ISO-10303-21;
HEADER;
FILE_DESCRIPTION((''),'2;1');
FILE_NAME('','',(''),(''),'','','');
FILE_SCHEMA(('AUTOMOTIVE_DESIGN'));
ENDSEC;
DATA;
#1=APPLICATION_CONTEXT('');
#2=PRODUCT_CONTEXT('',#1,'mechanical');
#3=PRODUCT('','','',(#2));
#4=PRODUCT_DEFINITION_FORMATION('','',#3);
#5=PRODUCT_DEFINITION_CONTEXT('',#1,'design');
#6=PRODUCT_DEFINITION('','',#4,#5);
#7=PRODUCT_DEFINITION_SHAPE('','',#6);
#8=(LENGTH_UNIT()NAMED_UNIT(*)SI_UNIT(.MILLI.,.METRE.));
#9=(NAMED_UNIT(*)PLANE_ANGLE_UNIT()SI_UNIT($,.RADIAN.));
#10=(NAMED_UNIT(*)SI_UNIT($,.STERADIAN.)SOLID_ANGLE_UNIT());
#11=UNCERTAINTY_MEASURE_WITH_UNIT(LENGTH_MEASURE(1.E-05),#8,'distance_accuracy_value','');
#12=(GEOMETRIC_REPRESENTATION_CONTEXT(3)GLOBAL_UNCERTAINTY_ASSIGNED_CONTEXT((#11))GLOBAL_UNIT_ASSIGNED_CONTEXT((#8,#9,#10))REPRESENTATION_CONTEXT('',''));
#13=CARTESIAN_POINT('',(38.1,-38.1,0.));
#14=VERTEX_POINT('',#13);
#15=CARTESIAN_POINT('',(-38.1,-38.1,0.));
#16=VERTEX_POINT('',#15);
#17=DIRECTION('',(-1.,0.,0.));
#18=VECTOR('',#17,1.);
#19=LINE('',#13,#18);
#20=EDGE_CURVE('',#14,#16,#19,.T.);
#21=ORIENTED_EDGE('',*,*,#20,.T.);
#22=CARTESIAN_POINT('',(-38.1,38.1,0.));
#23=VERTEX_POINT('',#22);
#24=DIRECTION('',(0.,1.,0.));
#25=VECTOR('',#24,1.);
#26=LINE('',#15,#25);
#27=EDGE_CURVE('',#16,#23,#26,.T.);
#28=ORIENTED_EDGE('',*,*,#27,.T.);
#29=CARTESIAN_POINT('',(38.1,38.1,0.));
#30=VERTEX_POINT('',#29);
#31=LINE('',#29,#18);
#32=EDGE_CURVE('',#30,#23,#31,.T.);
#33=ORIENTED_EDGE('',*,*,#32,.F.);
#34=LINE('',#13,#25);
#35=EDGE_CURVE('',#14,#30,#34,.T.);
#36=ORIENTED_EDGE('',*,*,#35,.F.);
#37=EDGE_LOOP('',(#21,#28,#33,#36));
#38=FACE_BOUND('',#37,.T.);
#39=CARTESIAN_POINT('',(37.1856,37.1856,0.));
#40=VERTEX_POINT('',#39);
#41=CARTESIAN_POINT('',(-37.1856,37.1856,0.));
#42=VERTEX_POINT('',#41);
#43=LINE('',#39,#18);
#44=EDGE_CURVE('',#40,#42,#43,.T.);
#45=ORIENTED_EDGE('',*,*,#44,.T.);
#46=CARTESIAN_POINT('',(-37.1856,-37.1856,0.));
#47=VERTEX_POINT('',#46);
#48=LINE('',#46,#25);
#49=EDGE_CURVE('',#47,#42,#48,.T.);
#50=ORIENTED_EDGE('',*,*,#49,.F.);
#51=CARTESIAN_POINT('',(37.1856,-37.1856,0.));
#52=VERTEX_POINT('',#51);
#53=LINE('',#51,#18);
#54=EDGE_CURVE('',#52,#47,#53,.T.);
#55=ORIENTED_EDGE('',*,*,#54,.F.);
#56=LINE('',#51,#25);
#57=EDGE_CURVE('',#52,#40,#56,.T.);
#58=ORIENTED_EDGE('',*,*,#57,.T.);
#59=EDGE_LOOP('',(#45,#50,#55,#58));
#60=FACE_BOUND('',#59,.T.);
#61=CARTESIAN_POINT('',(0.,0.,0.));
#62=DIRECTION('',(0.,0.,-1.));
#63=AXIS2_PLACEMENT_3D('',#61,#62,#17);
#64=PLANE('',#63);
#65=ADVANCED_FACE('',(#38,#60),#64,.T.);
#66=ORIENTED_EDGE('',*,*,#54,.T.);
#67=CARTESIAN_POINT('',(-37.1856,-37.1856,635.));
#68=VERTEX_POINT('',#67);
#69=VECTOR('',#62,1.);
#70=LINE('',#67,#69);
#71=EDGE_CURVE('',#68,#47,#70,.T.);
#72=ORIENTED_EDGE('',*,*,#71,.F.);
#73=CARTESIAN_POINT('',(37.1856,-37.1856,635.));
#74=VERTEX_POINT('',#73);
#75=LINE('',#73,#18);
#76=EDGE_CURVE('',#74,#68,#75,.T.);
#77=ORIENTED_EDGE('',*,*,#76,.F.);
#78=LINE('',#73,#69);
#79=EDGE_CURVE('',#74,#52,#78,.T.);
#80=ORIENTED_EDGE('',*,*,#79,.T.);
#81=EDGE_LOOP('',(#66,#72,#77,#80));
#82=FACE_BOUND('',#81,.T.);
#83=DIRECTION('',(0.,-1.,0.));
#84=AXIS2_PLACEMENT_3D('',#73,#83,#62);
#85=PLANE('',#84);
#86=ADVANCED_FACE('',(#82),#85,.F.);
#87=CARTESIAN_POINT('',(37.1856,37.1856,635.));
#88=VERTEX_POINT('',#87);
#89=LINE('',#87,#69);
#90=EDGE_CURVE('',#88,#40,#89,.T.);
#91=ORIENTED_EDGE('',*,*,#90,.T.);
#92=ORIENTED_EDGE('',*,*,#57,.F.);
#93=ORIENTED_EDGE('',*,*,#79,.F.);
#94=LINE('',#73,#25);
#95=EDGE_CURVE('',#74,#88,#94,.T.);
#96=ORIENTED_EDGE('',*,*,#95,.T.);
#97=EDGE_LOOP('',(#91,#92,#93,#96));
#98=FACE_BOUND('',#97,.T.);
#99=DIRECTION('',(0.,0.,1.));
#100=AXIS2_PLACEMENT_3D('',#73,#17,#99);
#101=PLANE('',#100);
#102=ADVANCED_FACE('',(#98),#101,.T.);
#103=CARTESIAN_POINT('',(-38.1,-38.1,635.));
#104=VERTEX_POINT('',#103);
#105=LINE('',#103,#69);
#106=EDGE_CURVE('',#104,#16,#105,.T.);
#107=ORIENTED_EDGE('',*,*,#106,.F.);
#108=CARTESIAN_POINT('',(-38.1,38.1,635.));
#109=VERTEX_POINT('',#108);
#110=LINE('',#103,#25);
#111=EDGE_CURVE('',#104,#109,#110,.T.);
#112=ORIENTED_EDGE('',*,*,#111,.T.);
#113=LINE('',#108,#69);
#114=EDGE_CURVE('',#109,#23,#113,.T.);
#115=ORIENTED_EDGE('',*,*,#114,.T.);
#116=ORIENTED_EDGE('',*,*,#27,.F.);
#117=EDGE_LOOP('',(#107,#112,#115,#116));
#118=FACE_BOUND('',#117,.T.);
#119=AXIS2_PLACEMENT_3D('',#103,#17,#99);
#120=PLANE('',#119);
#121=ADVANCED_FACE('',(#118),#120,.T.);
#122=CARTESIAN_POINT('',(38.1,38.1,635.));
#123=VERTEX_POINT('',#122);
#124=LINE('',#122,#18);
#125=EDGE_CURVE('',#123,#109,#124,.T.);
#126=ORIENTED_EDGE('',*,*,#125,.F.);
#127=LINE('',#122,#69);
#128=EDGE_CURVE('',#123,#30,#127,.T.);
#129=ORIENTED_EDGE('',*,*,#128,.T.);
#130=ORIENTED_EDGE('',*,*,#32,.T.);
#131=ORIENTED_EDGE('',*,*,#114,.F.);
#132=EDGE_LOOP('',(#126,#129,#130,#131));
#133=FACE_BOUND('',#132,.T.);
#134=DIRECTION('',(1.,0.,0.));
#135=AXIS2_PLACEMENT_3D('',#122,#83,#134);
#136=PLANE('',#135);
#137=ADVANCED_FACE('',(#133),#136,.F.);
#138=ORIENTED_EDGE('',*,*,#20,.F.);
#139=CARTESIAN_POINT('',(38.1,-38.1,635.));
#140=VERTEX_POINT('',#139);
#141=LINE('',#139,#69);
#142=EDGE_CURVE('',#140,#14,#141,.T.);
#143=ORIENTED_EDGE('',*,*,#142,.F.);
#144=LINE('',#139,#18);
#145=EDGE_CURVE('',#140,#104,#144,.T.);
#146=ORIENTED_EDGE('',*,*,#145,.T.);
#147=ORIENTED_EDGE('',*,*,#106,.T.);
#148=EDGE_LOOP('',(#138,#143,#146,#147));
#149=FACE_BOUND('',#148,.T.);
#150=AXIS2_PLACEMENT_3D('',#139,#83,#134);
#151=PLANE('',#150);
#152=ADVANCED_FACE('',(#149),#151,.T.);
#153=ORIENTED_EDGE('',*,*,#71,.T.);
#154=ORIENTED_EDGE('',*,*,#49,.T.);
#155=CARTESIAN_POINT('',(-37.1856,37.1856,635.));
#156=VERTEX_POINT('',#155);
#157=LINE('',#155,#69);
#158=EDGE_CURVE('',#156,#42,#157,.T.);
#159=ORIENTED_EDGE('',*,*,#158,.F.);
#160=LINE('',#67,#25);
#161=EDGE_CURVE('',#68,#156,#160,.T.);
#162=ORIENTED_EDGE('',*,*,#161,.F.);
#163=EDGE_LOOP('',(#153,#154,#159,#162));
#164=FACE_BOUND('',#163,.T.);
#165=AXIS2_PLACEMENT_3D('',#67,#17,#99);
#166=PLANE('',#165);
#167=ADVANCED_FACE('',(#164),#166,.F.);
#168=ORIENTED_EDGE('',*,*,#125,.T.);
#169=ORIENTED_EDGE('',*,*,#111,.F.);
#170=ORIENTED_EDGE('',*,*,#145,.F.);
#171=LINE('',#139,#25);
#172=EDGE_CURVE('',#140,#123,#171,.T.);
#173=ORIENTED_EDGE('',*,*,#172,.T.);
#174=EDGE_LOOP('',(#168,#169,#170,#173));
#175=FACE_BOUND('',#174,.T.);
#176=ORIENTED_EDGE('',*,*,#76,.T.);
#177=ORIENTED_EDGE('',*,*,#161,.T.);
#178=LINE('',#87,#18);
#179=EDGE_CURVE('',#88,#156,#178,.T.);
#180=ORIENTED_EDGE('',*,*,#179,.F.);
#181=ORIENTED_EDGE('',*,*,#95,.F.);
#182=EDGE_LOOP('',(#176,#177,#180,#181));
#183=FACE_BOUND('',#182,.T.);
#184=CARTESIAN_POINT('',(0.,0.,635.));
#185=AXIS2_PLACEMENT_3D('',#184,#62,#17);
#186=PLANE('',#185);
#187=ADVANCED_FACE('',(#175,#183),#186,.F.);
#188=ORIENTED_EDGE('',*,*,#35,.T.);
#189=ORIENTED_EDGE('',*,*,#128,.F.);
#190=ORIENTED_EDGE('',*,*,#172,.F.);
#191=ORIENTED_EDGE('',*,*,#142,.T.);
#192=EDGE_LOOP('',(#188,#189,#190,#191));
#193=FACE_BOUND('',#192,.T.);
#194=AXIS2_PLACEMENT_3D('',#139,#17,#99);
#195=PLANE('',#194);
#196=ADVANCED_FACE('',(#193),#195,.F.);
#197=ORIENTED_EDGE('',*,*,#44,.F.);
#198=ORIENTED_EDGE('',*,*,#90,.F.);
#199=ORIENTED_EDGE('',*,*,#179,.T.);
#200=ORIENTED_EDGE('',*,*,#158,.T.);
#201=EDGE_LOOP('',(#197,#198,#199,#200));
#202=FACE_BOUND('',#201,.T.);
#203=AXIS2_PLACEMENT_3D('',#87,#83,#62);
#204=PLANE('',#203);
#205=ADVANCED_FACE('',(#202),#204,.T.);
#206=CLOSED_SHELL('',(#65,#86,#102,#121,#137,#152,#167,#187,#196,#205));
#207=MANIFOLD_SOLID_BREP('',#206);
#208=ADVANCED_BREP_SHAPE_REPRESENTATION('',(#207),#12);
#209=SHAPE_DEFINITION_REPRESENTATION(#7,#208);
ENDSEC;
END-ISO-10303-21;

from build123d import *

# Parameters (mm, degrees)
SKETCH1_W           = 76.2
SKETCH1_H           = 76.2
SKETCH1_W_2         = 74.3712
SKETCH1_H_2         = 74.3712
BOSS_EXTRUDE1_DEPTH = 635


with BuildPart() as part:
    # Sketch1 → Boss-Extrude1 (new body)
    with BuildSketch(Plane.XY):
        Rectangle(SKETCH1_W, SKETCH1_H)
        Rectangle(SKETCH1_W_2, SKETCH1_H_2, mode=Mode.SUBTRACT)
    extrude(amount=BOSS_EXTRUDE1_DEPTH)


solid = part.part
